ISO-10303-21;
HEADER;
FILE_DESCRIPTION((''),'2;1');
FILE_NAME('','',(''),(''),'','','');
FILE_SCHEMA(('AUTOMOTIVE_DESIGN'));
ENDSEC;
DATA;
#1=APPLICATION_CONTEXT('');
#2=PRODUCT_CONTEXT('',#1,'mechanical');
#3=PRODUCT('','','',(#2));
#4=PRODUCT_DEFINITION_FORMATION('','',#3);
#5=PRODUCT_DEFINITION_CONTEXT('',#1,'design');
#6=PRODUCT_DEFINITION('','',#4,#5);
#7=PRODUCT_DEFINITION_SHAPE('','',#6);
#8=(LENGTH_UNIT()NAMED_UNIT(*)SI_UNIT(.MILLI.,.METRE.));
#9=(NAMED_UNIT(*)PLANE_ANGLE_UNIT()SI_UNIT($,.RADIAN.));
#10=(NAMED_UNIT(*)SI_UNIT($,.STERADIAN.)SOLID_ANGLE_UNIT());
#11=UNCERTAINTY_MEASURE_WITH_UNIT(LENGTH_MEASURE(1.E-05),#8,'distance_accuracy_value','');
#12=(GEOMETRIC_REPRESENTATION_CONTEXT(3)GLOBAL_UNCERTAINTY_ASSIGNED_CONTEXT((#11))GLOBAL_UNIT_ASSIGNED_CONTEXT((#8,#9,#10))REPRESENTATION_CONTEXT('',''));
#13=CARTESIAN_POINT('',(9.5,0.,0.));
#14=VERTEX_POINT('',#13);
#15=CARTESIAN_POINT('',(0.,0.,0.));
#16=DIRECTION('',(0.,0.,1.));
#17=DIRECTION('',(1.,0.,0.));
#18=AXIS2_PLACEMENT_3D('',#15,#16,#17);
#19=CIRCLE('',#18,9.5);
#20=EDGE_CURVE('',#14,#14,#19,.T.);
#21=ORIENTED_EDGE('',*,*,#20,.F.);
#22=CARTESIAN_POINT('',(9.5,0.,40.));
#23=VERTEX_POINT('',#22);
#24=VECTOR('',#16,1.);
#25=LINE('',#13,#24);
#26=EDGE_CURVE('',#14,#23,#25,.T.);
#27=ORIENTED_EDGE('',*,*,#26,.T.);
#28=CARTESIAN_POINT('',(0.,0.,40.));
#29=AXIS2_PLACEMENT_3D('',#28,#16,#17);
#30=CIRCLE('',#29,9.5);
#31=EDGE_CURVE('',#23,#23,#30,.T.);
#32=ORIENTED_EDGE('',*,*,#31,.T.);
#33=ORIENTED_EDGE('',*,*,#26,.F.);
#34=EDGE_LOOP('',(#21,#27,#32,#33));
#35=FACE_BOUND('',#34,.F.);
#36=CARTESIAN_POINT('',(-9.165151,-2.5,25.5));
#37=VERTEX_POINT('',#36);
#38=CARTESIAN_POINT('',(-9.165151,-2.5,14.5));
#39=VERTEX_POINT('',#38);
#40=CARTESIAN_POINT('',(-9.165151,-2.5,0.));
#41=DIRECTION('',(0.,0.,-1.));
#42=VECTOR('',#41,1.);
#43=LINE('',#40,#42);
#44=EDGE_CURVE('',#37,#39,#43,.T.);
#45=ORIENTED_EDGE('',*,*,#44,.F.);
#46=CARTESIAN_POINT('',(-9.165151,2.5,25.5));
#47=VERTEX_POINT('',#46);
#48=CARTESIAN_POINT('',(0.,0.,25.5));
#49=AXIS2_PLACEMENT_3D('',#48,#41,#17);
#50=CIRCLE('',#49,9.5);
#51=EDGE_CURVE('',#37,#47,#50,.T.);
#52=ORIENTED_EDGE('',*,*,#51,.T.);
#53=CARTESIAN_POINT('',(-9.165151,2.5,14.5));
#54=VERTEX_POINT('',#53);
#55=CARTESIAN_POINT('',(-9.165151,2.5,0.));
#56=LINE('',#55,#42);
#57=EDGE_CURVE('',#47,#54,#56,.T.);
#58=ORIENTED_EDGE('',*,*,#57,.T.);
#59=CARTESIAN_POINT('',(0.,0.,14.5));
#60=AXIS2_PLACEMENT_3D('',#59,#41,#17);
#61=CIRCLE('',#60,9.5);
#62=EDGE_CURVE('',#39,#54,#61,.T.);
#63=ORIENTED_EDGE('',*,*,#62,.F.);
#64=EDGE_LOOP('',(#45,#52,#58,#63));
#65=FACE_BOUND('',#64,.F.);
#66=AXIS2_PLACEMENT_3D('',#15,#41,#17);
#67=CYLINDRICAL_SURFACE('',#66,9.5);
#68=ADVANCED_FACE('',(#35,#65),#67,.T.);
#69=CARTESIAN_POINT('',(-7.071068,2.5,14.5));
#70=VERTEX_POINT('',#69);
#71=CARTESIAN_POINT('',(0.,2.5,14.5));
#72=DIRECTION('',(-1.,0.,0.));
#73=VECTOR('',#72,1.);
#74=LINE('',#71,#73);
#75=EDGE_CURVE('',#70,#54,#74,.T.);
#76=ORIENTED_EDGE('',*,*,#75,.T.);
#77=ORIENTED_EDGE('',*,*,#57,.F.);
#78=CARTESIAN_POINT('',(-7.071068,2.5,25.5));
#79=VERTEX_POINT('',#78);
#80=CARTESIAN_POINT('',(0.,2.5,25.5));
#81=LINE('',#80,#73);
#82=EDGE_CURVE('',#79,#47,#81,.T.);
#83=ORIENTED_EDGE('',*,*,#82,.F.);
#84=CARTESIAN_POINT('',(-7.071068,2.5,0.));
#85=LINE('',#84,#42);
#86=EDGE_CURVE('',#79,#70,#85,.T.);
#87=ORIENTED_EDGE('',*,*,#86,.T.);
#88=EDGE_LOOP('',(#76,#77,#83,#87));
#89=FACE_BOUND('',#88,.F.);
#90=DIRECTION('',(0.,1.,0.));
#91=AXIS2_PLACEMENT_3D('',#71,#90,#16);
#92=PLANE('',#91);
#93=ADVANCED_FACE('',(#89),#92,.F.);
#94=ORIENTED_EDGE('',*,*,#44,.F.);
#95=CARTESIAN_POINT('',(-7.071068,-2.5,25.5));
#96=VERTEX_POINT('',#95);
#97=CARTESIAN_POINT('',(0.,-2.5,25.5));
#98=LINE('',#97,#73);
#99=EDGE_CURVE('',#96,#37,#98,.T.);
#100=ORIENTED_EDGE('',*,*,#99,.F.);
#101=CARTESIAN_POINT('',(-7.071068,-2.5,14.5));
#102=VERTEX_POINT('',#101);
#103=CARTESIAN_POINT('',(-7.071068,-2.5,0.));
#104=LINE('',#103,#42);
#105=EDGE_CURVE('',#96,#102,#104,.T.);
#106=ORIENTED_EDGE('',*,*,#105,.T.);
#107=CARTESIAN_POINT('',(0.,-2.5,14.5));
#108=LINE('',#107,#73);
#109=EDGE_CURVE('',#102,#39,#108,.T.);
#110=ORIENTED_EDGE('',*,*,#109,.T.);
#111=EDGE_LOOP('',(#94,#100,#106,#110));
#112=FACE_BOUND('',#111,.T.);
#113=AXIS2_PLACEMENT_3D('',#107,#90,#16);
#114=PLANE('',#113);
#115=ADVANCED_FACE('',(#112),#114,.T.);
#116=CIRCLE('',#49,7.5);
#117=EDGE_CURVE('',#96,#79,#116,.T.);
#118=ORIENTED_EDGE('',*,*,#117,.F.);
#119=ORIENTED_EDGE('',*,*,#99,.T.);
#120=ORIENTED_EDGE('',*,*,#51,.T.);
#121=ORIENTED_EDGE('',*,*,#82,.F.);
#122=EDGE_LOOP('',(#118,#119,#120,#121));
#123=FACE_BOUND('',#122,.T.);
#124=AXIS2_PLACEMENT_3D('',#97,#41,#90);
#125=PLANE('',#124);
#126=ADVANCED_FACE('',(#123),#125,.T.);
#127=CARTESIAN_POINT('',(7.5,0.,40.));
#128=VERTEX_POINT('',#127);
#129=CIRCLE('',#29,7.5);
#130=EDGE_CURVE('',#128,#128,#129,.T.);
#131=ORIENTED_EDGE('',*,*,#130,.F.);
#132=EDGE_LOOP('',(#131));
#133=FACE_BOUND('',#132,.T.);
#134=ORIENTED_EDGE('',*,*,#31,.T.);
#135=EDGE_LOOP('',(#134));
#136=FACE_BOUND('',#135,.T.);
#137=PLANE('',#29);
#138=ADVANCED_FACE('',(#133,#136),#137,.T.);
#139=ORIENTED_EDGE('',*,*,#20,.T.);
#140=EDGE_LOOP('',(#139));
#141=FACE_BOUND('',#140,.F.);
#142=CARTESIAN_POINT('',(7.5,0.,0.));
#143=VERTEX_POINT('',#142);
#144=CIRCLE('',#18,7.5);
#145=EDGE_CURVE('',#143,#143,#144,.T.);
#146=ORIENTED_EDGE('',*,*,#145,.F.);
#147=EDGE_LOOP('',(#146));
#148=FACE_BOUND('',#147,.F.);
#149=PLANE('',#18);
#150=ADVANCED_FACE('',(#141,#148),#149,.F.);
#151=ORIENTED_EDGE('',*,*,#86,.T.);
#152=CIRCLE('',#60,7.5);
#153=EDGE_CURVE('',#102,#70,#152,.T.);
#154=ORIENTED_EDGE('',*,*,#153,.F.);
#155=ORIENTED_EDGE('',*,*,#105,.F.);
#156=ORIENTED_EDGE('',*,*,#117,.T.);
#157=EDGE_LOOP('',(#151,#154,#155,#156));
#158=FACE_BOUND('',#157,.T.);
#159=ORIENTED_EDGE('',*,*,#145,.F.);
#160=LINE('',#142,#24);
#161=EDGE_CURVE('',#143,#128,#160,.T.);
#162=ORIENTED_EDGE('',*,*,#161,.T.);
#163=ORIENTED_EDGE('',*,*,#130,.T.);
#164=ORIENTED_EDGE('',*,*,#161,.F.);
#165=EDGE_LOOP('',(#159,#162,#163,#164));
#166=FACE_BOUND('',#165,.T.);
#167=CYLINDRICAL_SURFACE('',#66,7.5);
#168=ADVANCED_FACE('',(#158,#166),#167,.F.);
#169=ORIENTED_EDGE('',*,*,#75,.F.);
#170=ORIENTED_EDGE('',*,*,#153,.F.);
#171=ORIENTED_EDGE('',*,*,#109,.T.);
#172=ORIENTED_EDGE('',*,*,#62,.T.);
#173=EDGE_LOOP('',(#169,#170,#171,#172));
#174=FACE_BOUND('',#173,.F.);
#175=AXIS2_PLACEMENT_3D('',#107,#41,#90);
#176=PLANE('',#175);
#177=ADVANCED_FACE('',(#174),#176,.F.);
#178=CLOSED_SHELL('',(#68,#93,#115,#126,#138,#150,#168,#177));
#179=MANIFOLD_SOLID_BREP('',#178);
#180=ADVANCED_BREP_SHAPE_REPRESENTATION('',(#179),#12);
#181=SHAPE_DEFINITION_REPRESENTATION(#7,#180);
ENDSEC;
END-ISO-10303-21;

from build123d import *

# Parameters (mm, degrees)
F0_R     = 9.5
F0_R_2   = 7.5
F1_DEPTH = 40
F2_W     = 5
F2_H     = 11
F3_DEPTH = 25


with BuildPart() as f1:
    # F0 (on Top) → F1 (new body)
    with BuildSketch(Plane.XY):
        Circle(F0_R)
        Circle(F0_R_2, mode=Mode.SUBTRACT)
    extrude(amount=F1_DEPTH)

    # F2 (on Right) → F3 (cut)
    with BuildSketch(Plane.YZ):
        with Locations((0, 20)):
            Rectangle(F2_W, F2_H)
    extrude(amount=-F3_DEPTH, mode=Mode.SUBTRACT)


solid = f1.part
